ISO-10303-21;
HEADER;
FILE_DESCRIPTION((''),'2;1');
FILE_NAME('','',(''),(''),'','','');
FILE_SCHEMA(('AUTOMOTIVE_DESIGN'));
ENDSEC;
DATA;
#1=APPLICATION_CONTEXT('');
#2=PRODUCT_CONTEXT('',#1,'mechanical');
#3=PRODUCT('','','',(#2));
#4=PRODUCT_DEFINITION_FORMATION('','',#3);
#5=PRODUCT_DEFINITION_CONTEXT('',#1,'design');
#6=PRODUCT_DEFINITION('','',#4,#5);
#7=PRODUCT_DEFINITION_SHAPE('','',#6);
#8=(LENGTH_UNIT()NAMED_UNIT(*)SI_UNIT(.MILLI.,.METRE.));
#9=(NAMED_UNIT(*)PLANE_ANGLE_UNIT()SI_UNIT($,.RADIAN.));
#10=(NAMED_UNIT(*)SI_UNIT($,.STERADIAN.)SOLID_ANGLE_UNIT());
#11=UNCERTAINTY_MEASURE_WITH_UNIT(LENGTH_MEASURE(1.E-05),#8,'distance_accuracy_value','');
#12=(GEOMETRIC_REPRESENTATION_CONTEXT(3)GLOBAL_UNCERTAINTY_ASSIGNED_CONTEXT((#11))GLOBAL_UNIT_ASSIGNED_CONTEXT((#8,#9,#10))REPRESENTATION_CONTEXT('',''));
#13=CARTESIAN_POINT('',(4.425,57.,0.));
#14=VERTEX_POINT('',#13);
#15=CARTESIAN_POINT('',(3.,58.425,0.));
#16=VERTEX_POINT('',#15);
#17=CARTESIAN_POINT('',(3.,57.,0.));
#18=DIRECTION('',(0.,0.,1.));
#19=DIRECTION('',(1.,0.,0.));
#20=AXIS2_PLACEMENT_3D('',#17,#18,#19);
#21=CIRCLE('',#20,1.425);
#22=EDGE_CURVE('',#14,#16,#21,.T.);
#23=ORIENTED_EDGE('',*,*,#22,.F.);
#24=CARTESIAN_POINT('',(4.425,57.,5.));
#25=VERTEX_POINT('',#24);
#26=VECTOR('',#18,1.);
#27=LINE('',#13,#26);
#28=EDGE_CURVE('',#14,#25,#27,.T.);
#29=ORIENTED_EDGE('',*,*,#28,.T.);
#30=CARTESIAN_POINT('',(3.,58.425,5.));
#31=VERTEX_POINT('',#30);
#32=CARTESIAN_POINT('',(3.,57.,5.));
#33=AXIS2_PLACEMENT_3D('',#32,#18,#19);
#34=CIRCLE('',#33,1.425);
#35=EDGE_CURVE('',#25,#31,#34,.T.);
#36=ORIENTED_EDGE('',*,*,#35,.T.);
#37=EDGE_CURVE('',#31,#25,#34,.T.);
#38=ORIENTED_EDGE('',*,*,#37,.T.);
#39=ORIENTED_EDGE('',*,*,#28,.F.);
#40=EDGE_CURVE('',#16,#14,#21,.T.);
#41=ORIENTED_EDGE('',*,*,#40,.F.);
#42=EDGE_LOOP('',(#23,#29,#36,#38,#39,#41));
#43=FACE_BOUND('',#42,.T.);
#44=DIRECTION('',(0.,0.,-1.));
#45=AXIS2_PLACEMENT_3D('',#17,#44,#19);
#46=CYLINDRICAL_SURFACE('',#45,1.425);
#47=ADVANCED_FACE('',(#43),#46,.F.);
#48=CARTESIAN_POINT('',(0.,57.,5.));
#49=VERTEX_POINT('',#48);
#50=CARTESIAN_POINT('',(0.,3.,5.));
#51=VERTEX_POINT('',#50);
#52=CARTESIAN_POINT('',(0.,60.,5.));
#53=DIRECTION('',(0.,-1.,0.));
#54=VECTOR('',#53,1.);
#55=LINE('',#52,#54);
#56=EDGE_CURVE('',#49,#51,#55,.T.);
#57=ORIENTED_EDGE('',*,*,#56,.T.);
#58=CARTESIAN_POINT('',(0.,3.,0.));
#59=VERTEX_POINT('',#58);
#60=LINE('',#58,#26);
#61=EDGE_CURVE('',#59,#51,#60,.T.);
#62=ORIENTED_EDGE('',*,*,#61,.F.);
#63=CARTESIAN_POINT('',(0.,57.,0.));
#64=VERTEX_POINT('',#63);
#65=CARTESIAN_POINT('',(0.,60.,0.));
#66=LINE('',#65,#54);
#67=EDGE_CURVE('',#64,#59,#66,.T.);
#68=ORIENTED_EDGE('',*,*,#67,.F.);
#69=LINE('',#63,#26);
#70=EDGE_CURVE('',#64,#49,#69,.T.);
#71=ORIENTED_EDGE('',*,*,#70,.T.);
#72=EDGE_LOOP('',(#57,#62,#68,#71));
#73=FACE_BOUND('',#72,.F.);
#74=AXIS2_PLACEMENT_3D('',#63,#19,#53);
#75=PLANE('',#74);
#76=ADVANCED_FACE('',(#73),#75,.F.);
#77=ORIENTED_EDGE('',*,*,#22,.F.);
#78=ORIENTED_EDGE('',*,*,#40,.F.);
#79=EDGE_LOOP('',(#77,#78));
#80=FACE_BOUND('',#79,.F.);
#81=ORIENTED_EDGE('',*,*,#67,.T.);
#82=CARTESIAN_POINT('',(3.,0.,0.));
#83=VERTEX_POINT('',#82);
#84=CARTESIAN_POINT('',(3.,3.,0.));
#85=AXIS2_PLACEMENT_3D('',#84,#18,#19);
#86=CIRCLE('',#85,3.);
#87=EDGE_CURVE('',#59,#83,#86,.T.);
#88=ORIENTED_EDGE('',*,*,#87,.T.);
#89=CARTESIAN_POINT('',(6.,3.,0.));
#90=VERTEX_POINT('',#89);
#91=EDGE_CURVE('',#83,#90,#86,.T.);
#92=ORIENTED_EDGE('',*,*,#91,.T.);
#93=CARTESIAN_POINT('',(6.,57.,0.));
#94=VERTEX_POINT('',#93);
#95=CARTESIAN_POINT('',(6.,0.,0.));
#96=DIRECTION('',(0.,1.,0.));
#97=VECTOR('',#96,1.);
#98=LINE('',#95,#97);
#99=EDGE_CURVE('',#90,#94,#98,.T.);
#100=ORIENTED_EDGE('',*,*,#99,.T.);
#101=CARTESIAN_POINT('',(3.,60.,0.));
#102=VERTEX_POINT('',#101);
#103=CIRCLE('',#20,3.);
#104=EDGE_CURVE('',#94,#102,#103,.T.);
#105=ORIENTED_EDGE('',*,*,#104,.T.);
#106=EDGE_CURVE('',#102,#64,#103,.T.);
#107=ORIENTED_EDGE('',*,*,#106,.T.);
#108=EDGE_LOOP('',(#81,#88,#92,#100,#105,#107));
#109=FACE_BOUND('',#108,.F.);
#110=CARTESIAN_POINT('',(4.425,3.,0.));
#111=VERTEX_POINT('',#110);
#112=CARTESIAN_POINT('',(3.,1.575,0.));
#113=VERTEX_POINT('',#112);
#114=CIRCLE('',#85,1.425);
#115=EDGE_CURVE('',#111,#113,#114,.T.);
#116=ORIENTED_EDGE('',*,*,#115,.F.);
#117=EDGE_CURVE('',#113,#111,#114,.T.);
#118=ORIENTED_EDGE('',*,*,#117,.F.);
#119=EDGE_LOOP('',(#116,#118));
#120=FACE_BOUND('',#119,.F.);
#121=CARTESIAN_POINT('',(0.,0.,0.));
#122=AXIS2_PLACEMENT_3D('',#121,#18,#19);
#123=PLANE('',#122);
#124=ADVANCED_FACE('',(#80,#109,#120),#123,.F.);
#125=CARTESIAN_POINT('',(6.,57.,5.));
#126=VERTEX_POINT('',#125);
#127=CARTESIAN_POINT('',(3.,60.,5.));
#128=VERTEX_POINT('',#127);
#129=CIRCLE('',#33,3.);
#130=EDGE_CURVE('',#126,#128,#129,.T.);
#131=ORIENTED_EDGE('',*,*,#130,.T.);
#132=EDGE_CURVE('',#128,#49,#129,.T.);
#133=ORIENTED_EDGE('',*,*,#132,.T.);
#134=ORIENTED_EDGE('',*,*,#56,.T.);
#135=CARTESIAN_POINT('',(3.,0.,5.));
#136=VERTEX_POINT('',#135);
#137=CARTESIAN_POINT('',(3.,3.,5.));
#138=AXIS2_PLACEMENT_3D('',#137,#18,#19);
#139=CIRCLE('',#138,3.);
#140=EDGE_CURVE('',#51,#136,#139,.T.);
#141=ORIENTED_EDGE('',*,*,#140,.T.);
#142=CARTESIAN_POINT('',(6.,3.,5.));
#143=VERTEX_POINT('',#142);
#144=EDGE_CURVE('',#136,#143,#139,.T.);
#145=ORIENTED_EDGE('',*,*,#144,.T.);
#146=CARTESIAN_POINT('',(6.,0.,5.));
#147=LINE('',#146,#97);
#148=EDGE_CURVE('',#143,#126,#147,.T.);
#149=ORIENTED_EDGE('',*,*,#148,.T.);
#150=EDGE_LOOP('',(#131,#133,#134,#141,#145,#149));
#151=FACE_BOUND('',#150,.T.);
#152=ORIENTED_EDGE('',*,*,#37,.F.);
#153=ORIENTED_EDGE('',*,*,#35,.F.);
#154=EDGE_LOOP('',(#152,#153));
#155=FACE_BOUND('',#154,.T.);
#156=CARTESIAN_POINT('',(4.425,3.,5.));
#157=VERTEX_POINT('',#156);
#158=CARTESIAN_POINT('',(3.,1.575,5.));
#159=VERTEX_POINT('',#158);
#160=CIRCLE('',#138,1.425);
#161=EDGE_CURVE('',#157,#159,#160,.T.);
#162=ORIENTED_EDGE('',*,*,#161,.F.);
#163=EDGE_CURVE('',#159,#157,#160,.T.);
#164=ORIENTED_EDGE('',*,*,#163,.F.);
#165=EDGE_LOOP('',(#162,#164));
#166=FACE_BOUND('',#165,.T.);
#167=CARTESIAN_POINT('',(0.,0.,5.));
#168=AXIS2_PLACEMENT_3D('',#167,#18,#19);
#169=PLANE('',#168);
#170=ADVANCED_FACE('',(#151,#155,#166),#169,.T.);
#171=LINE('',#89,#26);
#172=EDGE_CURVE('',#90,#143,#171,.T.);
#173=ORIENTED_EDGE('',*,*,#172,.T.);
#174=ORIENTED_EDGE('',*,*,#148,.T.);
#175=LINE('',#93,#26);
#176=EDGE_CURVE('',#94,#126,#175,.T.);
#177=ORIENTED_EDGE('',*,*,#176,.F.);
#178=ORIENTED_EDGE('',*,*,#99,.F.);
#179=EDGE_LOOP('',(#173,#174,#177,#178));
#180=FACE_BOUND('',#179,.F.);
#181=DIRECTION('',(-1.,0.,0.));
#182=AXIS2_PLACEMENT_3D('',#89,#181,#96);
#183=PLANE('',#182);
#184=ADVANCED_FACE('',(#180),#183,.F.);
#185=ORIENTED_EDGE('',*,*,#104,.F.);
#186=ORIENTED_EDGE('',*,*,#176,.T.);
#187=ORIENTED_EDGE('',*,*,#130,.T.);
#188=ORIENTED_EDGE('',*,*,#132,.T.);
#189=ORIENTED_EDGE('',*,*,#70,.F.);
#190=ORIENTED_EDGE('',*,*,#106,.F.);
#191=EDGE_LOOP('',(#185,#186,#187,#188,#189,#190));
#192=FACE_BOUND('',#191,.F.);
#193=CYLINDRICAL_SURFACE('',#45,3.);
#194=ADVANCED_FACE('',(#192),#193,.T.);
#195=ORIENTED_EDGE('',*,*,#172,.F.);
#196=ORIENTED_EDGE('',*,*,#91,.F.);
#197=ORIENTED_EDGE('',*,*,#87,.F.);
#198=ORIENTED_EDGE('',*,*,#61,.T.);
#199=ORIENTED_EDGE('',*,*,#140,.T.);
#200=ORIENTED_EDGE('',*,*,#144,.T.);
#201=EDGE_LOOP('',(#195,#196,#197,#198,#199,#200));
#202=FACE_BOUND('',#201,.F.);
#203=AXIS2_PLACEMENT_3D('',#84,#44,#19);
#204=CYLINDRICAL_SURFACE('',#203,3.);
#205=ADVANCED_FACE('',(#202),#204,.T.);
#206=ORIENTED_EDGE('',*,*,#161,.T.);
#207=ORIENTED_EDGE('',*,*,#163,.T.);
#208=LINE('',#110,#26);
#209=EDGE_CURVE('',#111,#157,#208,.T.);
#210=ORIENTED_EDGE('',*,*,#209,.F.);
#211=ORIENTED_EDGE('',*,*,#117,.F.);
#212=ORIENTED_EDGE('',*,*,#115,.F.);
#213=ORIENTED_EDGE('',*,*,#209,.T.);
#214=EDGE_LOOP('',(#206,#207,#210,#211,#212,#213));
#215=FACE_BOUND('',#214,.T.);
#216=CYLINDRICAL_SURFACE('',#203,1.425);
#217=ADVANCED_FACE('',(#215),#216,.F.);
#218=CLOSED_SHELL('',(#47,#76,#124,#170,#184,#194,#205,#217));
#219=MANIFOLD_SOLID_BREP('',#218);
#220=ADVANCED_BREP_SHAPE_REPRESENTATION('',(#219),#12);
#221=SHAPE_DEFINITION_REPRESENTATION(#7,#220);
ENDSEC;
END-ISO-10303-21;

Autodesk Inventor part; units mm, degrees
ref_plane "YZ Plane" through (0, 0, 0) normal (1, 0, 0) x (0, 1, 0)
ref_plane "XZ Plane" through (0, 0, 0) normal (0, 1, 0) x (-1, 0, 0)
ref_plane "XY Plane" through (0, 0, 0) normal (0, 0, 1) x (1, 0, 0)
sketch "Sketch1" plane through (0, 0, 0) normal (0, 0, 1) x (1, 0, 0)
  line L0 (0, 0) -> (6, 0)
  line L1 (6, 0) -> (6, 60)
  line L2 (6, 60) -> (0, 60)
  line L3 (0, 60) -> (0, 0)
  line L4 (3, 0) -> (3, 3)
  circle A0 centre (3, 3) radius 1.425
  circle A1 centre (3, 3) radius 3
  line L5 (3, 60) -> (3, 57)
  circle A2 centre (3, 57) radius 1.425
  circle A3 centre (3, 57) radius 3
  point P0 (6, 3)
  point P1 (6, 57)
  point P2 (0, 57)
  point P3 (0, 3)
  dimension "d10" = 6
  dimension "d11" = 60
  dimension "d12" = 3
  dimension "d13" = 6
  dimension "d14" = 2.85
  dimension "d15" = 3
  dimension "d16" = 6
  dimension "d17" = 2.85
extrude "Extrusion1" add sketch "Sketch1" along normal blind 5 contours A1 | L3 A3 L1 A1 | A3
properties part number "Exoskeleton 1"
